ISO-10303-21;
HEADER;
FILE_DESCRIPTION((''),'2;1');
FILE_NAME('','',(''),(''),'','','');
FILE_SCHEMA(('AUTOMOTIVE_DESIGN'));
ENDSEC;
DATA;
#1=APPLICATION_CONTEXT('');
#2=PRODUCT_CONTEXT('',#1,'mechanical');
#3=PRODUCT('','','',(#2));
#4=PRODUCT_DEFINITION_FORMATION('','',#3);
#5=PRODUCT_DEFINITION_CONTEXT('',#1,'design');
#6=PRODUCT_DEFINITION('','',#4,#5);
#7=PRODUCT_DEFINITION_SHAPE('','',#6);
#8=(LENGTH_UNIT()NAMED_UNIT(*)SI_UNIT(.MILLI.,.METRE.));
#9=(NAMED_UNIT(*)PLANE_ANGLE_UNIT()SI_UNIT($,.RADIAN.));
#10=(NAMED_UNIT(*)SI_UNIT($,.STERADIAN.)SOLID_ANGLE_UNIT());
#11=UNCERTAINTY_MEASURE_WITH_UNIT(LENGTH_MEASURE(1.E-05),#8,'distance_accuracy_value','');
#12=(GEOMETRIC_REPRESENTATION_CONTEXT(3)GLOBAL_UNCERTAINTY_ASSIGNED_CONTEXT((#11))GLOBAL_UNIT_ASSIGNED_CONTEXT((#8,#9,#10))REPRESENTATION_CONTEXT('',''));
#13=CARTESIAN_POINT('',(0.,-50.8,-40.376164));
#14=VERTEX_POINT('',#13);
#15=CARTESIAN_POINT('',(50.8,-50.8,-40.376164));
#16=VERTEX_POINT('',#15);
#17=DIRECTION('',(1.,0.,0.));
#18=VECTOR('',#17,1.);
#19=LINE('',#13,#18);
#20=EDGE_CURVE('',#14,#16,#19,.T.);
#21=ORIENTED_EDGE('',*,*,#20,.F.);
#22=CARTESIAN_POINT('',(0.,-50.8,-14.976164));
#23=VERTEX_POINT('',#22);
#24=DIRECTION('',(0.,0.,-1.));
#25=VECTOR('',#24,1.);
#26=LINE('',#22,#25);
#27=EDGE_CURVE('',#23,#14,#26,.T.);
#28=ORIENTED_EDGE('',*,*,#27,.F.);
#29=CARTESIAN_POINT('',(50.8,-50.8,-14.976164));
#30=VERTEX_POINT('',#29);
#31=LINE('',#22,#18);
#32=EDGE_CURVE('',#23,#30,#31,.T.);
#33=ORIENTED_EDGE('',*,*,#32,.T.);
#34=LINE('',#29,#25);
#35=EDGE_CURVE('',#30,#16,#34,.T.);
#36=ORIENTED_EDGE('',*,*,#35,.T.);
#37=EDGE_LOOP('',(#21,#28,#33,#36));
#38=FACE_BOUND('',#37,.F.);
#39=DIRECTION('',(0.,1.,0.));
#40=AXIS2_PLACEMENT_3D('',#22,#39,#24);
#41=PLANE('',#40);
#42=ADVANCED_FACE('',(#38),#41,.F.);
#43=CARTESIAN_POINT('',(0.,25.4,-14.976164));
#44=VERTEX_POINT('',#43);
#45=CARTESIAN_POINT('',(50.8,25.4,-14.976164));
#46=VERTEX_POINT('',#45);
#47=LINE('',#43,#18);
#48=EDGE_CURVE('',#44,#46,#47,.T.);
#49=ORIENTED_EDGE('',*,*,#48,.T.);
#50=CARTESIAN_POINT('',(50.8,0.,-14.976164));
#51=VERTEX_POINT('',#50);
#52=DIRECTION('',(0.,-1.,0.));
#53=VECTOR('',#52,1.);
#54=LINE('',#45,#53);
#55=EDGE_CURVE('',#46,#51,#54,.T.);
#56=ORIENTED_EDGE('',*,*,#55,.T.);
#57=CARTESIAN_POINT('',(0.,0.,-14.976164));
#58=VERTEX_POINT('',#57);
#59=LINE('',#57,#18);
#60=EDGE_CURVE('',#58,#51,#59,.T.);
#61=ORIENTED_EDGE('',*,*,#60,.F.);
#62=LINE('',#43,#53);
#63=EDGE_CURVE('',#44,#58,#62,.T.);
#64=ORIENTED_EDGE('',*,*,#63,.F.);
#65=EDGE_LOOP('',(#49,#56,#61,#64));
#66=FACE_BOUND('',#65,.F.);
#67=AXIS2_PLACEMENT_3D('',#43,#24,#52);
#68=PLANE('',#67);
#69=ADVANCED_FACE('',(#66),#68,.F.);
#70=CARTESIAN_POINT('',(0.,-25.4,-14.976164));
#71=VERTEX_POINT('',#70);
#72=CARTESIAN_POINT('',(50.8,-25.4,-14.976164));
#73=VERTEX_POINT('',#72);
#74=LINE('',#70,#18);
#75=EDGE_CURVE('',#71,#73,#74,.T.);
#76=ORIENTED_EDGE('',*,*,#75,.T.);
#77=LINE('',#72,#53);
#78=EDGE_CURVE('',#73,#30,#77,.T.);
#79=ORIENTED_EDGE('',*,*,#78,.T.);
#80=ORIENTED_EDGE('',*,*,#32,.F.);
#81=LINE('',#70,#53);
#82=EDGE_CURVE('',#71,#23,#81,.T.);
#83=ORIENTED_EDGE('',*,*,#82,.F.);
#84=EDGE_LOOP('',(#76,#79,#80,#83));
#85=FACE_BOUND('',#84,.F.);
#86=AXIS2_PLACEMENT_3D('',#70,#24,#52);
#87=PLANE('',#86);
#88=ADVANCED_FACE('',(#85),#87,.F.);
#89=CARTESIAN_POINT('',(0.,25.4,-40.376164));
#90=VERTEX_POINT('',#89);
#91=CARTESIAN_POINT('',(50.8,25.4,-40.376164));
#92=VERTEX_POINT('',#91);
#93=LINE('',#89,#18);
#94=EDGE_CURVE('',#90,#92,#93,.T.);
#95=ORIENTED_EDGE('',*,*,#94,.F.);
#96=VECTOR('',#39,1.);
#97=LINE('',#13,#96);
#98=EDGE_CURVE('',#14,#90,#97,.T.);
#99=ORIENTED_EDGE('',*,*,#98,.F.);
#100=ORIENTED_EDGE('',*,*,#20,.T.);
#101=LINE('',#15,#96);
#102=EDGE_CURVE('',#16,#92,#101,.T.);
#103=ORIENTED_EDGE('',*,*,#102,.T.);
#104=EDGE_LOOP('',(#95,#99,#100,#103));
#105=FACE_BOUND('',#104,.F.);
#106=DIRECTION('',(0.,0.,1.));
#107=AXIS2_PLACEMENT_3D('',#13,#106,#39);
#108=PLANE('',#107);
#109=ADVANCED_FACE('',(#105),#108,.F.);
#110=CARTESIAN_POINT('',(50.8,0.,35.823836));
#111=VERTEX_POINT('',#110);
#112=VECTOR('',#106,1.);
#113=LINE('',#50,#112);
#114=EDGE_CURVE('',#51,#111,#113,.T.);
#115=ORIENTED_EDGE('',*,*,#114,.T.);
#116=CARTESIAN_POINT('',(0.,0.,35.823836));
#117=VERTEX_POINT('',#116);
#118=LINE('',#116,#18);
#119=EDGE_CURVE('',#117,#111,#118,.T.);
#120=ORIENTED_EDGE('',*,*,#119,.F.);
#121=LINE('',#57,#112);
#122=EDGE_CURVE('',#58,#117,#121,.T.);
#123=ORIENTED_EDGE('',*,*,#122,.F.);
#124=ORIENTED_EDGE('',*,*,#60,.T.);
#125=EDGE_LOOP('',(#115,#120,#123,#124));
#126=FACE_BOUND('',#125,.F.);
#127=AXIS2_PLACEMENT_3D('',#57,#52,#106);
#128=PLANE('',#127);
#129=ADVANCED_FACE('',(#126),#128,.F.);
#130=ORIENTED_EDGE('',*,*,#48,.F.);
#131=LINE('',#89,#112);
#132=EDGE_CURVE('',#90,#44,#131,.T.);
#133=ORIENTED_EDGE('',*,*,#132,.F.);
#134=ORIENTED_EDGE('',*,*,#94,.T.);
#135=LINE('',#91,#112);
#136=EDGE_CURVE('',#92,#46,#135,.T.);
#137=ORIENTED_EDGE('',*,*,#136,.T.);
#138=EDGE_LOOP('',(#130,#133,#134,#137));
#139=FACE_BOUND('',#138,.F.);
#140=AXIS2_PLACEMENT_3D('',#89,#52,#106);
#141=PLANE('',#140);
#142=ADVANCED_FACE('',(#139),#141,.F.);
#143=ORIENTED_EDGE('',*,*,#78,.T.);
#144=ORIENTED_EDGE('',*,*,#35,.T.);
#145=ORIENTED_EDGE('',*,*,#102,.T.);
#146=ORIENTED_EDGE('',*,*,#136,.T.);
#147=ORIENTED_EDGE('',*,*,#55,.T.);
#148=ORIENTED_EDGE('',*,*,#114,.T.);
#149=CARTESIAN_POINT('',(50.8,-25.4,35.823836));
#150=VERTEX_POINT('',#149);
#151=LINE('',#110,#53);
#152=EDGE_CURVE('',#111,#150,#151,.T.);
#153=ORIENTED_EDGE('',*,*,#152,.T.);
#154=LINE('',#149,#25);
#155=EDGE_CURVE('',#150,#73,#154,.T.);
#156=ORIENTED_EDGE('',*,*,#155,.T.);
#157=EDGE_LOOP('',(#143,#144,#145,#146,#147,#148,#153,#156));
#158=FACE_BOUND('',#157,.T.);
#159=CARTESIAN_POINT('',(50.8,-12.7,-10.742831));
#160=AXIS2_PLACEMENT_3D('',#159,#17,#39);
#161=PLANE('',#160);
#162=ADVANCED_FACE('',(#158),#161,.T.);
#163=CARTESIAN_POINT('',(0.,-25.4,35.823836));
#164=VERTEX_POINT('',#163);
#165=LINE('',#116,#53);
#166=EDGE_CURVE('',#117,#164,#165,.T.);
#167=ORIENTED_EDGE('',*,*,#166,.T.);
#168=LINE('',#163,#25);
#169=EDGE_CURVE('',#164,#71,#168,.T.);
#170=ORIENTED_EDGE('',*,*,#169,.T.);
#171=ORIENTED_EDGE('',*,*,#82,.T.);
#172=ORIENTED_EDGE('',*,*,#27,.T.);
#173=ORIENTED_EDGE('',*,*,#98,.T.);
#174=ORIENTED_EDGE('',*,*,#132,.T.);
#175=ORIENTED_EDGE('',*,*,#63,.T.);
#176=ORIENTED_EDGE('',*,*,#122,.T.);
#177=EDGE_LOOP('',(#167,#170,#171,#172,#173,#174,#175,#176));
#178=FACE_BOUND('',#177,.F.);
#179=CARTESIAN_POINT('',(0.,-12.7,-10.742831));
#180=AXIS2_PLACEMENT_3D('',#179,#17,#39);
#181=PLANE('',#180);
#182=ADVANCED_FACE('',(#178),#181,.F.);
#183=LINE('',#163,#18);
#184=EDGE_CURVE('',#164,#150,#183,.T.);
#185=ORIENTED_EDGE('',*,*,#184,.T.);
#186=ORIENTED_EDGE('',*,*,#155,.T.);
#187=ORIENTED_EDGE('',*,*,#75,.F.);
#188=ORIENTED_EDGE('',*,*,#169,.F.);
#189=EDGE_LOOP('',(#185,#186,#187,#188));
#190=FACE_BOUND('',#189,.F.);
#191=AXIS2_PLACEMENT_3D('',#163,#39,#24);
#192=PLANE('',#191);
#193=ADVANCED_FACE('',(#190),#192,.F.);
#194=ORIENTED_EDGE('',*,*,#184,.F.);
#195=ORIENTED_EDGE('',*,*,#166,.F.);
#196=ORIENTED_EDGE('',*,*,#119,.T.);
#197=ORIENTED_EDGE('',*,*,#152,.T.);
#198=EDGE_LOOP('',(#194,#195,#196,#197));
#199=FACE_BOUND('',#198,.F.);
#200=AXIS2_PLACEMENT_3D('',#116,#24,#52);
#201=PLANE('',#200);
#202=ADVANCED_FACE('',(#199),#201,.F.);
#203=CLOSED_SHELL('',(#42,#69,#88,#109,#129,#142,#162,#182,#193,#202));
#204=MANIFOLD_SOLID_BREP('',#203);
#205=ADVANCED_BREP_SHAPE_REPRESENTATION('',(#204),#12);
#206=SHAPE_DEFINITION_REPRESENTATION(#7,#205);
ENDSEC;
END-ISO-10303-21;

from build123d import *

# Parameters (mm, degrees)
F1_DEPTH = 50.8


with BuildPart() as f1:
    # F0 (on Right) → F1 (new body)
    with BuildSketch(Plane.YZ):
        Polygon((-50.8, -40.376164), (0, -40.376164), (25.4, -40.376164), (25.4, -14.976164), (0, -14.976164), (0, 35.823836), (-25.4, 35.823836), (-25.4, -14.976164), (-50.8, -14.976164), align=None)
    extrude(amount=F1_DEPTH)


solid = f1.part
